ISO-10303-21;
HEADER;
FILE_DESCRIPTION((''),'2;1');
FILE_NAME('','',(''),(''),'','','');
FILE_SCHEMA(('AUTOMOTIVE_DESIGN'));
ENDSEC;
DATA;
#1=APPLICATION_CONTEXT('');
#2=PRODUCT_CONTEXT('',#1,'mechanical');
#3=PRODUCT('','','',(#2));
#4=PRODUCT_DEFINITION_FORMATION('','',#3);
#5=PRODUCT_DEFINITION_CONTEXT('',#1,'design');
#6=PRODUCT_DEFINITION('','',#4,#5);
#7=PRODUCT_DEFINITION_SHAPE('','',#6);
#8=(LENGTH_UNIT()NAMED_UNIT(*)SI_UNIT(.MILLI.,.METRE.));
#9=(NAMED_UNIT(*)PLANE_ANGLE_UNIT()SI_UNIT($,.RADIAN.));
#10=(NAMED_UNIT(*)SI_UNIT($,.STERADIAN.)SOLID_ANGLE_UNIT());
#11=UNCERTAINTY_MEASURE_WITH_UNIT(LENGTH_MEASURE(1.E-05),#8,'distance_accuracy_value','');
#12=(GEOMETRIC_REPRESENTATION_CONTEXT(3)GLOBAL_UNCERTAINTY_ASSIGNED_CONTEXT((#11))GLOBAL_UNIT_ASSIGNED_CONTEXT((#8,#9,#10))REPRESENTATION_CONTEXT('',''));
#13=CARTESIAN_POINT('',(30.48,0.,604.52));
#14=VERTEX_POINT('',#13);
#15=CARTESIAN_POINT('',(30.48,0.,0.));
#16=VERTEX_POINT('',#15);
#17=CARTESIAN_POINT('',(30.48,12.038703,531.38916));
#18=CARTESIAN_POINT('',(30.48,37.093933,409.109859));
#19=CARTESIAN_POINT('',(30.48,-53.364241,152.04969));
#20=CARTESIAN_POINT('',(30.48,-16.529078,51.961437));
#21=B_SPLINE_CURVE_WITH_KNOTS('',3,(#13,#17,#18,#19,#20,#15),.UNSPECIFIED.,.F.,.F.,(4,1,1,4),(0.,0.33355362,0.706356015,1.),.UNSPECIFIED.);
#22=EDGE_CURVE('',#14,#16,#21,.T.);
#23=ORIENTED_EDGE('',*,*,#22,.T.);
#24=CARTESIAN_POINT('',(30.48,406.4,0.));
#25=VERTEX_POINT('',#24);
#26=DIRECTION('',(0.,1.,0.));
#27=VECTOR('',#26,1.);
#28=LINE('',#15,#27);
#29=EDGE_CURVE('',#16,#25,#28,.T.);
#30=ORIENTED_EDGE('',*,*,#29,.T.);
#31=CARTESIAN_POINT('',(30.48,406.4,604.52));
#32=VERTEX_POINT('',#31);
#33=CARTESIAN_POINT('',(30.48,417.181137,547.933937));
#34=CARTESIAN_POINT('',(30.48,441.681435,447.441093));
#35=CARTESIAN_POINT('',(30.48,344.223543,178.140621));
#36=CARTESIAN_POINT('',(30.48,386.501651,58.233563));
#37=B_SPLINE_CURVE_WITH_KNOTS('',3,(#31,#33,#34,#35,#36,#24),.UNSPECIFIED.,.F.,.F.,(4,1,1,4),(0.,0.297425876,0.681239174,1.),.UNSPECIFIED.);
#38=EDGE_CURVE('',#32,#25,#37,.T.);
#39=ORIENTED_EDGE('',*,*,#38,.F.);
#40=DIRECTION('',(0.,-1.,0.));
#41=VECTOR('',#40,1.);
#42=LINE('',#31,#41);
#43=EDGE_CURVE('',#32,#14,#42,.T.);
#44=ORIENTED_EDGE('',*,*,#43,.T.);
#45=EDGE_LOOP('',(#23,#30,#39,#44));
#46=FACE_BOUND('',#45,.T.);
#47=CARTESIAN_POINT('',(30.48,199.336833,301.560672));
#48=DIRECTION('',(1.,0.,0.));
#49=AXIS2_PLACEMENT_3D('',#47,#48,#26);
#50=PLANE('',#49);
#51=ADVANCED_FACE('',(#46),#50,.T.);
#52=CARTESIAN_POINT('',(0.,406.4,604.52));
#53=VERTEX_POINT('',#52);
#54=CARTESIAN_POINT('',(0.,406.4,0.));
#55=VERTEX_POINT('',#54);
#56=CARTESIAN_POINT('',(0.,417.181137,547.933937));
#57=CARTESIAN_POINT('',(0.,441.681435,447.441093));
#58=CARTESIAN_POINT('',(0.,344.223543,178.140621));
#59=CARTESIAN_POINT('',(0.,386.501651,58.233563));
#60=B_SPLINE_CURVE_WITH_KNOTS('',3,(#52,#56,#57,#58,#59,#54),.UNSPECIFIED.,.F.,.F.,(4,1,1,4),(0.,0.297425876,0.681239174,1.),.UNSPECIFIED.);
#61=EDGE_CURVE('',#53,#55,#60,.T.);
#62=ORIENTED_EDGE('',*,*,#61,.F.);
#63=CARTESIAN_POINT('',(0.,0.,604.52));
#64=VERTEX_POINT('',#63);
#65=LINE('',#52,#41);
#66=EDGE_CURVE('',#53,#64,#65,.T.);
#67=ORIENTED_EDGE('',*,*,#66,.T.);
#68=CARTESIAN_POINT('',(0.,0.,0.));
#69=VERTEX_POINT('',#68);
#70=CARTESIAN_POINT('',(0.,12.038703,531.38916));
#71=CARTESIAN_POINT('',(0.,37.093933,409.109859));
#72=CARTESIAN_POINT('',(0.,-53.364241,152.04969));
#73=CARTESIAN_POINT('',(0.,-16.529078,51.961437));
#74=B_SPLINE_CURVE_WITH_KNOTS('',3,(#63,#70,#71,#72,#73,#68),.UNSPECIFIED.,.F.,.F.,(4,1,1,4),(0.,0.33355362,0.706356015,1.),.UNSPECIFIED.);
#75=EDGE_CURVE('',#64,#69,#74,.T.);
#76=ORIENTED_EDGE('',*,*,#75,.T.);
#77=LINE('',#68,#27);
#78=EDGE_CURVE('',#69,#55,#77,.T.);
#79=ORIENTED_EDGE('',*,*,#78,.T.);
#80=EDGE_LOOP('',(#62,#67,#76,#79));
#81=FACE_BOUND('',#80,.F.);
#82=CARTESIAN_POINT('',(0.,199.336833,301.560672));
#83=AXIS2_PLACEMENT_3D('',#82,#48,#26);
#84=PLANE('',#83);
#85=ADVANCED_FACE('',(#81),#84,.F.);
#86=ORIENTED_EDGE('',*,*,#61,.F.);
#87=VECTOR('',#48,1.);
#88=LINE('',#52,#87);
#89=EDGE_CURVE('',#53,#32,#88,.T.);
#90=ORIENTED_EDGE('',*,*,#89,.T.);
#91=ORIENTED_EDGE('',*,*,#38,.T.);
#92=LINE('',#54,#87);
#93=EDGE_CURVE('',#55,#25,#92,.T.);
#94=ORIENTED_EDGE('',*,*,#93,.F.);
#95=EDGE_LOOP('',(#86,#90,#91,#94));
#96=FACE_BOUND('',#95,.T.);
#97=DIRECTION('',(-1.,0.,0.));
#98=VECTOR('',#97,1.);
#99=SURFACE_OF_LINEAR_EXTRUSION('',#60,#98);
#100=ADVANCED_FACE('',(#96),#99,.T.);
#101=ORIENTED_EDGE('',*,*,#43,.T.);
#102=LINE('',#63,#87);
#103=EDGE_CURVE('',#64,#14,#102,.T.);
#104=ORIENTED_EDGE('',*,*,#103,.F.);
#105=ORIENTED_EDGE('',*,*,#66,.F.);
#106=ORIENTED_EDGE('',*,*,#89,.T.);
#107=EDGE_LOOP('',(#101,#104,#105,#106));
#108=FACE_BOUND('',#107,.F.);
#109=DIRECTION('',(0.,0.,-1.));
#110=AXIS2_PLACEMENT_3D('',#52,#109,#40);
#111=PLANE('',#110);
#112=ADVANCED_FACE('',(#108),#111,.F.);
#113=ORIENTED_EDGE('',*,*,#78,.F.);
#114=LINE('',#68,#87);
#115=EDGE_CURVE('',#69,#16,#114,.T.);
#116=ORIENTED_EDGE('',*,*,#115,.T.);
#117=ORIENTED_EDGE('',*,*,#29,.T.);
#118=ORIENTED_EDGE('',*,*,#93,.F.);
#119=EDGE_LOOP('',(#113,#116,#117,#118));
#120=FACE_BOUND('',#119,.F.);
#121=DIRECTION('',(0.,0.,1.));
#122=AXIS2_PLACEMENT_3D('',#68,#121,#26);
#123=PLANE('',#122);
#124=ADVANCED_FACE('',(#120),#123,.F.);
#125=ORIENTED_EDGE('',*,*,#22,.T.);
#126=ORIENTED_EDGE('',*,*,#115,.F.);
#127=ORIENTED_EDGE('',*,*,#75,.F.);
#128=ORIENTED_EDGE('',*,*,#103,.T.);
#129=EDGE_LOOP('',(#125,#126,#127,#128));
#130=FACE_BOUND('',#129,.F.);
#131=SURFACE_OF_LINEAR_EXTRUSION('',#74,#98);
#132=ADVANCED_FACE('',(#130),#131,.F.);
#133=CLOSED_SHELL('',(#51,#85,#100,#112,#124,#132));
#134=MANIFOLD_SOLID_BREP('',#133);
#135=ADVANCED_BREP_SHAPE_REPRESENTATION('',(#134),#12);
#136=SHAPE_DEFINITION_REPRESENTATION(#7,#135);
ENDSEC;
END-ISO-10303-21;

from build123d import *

# Parameters (mm, degrees)
F1_DEPTH = 30.48


with BuildPart() as f1:
    # F0 (on Right) → F1 (new body)
    with BuildSketch(Plane.YZ):
        with BuildLine():
            add(Edge.make_bspline(
                [(0, 604.52), (12.0387033163, 531.3891604082), (37.0939326755, 409.1098594725), (-53.3642412544, 152.0496895395), (-16.529078209, 51.9614371838), (0, 0)],
                knots=[0, 0, 0, 0, 0.3335536204, 0.7063560146, 1, 1, 1, 1], degree=3))
            Line((0, 0), (406.4, 0))
            add(Edge.make_bspline(
                [(406.4, 604.52), (417.1811366284, 547.9339372227), (441.6814345726, 447.4410925618), (344.2235433655, 178.1406212575), (386.501650779, 58.2335634101), (406.4, 0)],
                knots=[0, 0, 0, 0, 0.2974258763, 0.6812391739, 1, 1, 1, 1], degree=3))
            Line((406.4, 604.52), (0, 604.52))
        make_face()
    extrude(amount=F1_DEPTH)


solid = f1.part
